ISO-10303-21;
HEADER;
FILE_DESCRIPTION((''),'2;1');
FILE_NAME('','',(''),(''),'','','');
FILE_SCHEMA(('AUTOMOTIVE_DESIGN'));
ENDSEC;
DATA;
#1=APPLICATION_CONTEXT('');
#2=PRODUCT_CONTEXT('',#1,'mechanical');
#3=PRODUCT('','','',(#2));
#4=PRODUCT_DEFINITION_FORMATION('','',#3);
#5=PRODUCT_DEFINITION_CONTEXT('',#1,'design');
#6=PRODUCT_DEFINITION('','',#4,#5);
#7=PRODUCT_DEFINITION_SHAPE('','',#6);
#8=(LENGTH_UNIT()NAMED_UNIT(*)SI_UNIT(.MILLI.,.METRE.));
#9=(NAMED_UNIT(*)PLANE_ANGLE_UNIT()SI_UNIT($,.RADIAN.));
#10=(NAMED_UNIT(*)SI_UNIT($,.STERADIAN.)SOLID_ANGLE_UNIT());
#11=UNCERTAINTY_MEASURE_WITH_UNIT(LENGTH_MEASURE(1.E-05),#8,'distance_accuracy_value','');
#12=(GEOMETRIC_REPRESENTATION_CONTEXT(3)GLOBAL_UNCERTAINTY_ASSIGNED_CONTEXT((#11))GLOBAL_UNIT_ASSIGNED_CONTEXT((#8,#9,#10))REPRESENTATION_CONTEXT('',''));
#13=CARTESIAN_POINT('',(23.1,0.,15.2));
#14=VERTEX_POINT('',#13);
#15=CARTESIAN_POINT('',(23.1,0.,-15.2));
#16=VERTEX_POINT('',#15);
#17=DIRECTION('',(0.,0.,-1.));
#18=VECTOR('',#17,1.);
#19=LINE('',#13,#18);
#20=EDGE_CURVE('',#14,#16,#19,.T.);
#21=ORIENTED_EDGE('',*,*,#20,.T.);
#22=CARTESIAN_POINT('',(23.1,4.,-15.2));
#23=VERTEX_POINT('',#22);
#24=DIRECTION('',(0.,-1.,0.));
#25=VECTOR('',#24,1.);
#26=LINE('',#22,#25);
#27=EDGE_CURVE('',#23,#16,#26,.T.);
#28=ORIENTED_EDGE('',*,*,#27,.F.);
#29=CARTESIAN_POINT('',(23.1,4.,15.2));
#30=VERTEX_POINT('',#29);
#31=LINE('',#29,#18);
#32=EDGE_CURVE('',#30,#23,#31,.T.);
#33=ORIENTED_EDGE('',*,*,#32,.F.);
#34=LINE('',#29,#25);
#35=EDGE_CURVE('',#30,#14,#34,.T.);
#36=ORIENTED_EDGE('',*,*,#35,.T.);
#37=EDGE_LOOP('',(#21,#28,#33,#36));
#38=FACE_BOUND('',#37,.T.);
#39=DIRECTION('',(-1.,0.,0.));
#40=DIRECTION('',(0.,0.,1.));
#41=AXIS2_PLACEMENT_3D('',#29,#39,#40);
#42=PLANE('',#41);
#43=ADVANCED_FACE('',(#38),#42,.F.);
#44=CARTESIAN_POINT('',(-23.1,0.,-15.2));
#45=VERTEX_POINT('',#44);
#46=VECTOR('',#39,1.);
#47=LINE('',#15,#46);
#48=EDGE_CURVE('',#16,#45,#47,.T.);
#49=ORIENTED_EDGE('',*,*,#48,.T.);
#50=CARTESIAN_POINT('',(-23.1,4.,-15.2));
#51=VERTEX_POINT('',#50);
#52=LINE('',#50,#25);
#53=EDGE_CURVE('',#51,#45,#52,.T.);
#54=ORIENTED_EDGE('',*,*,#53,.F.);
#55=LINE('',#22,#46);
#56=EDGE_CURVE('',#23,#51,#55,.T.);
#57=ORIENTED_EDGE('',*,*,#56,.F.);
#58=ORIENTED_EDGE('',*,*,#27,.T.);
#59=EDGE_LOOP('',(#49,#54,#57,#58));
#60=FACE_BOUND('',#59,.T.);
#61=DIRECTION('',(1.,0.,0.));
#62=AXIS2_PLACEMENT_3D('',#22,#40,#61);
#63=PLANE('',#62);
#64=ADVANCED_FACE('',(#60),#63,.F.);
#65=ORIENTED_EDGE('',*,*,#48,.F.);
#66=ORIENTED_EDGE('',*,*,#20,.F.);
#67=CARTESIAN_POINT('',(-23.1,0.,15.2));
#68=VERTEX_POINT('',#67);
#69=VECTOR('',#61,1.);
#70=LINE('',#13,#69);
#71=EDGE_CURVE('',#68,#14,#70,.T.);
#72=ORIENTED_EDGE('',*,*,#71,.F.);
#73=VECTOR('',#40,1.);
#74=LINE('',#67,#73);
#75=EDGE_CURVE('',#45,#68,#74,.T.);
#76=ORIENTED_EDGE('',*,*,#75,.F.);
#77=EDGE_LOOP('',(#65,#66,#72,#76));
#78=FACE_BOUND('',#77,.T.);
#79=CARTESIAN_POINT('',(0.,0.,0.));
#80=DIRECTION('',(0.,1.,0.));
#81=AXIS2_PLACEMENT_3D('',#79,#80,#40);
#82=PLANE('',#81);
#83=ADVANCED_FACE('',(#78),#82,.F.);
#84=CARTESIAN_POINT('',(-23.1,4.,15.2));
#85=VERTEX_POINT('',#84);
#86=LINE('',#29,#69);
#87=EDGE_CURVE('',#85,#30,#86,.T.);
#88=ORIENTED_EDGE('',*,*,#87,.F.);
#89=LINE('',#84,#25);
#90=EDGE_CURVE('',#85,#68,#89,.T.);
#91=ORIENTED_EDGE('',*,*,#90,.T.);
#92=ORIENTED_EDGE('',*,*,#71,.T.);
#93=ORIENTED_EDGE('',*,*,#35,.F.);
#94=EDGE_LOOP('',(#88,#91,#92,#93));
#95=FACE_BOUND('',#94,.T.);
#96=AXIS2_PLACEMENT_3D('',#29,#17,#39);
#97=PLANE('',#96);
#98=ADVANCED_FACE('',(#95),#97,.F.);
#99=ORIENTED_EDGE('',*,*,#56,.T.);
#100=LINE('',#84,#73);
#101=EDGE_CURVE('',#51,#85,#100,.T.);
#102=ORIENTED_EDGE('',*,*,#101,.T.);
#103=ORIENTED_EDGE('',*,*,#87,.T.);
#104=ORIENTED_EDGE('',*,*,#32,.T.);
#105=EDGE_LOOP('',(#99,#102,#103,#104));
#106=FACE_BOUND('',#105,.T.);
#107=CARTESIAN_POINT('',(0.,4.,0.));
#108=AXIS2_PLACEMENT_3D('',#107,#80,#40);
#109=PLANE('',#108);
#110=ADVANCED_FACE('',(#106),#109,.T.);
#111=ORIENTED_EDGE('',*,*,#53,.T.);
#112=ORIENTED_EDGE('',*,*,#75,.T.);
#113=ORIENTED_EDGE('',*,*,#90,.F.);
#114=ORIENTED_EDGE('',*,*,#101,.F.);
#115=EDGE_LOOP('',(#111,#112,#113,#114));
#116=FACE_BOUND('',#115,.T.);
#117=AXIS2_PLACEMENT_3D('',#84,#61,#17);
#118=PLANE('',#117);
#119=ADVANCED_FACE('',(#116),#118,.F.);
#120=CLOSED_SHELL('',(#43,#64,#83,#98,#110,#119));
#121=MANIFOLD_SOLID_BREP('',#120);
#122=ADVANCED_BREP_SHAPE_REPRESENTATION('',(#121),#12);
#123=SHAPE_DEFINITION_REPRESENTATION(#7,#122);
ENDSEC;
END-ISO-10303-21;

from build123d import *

# Parameters (mm, degrees)
ESQUISSE1_W        = 46.2
ESQUISSE1_H        = 30.4
BOSS_EXTRU_1_DEPTH = 4


with BuildPart() as part:
    # Esquisse1 → Boss.-Extru.1 (new body)
    with BuildSketch(Plane(origin=(0, 0, 0), x_dir=(1, 0, 0), z_dir=(0, 1, 0))):
        Rectangle(ESQUISSE1_W, ESQUISSE1_H)
    extrude(amount=BOSS_EXTRU_1_DEPTH)


solid = part.part
